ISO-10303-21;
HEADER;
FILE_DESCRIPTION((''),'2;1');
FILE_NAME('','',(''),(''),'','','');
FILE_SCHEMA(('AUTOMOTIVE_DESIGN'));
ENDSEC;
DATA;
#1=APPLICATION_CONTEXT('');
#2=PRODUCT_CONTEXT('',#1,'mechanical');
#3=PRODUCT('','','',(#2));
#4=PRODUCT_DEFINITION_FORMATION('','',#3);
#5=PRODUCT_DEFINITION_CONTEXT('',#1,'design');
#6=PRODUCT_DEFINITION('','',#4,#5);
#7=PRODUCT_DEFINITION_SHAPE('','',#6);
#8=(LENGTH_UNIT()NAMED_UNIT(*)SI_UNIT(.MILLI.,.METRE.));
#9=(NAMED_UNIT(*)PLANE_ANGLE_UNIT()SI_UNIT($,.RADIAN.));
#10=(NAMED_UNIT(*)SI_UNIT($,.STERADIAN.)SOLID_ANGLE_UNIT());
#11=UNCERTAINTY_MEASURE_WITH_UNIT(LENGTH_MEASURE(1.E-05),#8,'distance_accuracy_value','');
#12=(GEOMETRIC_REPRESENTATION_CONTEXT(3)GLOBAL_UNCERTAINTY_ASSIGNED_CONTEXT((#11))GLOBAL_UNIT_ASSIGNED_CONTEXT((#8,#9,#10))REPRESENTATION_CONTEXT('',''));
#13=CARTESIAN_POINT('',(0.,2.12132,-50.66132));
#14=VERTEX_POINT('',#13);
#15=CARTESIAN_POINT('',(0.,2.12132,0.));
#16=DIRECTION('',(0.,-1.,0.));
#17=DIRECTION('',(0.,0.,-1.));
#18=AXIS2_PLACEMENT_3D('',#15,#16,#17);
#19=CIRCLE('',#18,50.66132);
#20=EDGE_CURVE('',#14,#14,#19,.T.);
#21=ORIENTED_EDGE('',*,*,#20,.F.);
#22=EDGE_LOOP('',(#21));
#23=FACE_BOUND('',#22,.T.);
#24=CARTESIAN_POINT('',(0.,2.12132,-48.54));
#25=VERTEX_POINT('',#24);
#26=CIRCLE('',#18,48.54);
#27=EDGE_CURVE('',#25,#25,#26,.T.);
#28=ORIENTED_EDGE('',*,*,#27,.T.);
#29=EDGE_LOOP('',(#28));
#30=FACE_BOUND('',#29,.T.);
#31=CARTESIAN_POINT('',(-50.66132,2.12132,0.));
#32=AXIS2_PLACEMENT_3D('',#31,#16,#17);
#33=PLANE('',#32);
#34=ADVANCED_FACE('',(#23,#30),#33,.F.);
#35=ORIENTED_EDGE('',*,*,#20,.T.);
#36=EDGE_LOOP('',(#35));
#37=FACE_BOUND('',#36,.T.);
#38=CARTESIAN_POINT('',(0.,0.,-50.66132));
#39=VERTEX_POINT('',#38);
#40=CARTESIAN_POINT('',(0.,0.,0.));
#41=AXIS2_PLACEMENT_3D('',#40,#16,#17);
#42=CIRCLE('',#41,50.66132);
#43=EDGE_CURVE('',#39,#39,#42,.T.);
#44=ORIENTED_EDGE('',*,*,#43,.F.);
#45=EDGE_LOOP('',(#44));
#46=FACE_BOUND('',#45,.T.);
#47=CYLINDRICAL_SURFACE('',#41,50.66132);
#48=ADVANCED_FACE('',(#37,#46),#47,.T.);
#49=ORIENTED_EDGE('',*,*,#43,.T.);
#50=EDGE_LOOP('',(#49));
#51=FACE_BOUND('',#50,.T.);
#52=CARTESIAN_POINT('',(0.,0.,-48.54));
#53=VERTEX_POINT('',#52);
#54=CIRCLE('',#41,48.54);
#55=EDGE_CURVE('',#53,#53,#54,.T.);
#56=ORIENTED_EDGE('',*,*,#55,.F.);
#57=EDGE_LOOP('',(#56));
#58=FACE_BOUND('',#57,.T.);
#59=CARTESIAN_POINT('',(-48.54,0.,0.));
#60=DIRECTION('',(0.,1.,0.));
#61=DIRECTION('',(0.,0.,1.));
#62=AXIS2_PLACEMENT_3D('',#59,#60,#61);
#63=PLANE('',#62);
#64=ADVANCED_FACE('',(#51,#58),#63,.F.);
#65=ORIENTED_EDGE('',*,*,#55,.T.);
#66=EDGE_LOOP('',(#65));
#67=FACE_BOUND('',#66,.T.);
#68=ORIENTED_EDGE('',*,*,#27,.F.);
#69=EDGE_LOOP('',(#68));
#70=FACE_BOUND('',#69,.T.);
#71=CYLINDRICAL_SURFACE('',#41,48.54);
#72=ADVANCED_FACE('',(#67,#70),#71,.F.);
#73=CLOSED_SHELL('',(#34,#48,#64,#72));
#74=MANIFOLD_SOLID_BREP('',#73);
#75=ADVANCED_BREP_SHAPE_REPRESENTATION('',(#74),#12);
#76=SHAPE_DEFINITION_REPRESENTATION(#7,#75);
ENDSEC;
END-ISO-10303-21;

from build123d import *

# Parameters (mm, degrees)
SKETCH1_W = 2.121320344
SKETCH1_H = 2.121320344


with BuildPart() as part:
    # Sketch1 → Revolve1 (revolve)
    with BuildSketch(Plane.XY, mode=Mode.PRIVATE) as revolve1_sk:
        with Locations((-49.600660172, 1.060660172)):
            Rectangle(SKETCH1_W, SKETCH1_H)
    revolve(revolve1_sk.sketch.rotate(Axis((0, 0, 0), (0, 1, 0)), 270), axis=Axis((0, 0, 0), (0, 1, 0)))


solid = part.part
